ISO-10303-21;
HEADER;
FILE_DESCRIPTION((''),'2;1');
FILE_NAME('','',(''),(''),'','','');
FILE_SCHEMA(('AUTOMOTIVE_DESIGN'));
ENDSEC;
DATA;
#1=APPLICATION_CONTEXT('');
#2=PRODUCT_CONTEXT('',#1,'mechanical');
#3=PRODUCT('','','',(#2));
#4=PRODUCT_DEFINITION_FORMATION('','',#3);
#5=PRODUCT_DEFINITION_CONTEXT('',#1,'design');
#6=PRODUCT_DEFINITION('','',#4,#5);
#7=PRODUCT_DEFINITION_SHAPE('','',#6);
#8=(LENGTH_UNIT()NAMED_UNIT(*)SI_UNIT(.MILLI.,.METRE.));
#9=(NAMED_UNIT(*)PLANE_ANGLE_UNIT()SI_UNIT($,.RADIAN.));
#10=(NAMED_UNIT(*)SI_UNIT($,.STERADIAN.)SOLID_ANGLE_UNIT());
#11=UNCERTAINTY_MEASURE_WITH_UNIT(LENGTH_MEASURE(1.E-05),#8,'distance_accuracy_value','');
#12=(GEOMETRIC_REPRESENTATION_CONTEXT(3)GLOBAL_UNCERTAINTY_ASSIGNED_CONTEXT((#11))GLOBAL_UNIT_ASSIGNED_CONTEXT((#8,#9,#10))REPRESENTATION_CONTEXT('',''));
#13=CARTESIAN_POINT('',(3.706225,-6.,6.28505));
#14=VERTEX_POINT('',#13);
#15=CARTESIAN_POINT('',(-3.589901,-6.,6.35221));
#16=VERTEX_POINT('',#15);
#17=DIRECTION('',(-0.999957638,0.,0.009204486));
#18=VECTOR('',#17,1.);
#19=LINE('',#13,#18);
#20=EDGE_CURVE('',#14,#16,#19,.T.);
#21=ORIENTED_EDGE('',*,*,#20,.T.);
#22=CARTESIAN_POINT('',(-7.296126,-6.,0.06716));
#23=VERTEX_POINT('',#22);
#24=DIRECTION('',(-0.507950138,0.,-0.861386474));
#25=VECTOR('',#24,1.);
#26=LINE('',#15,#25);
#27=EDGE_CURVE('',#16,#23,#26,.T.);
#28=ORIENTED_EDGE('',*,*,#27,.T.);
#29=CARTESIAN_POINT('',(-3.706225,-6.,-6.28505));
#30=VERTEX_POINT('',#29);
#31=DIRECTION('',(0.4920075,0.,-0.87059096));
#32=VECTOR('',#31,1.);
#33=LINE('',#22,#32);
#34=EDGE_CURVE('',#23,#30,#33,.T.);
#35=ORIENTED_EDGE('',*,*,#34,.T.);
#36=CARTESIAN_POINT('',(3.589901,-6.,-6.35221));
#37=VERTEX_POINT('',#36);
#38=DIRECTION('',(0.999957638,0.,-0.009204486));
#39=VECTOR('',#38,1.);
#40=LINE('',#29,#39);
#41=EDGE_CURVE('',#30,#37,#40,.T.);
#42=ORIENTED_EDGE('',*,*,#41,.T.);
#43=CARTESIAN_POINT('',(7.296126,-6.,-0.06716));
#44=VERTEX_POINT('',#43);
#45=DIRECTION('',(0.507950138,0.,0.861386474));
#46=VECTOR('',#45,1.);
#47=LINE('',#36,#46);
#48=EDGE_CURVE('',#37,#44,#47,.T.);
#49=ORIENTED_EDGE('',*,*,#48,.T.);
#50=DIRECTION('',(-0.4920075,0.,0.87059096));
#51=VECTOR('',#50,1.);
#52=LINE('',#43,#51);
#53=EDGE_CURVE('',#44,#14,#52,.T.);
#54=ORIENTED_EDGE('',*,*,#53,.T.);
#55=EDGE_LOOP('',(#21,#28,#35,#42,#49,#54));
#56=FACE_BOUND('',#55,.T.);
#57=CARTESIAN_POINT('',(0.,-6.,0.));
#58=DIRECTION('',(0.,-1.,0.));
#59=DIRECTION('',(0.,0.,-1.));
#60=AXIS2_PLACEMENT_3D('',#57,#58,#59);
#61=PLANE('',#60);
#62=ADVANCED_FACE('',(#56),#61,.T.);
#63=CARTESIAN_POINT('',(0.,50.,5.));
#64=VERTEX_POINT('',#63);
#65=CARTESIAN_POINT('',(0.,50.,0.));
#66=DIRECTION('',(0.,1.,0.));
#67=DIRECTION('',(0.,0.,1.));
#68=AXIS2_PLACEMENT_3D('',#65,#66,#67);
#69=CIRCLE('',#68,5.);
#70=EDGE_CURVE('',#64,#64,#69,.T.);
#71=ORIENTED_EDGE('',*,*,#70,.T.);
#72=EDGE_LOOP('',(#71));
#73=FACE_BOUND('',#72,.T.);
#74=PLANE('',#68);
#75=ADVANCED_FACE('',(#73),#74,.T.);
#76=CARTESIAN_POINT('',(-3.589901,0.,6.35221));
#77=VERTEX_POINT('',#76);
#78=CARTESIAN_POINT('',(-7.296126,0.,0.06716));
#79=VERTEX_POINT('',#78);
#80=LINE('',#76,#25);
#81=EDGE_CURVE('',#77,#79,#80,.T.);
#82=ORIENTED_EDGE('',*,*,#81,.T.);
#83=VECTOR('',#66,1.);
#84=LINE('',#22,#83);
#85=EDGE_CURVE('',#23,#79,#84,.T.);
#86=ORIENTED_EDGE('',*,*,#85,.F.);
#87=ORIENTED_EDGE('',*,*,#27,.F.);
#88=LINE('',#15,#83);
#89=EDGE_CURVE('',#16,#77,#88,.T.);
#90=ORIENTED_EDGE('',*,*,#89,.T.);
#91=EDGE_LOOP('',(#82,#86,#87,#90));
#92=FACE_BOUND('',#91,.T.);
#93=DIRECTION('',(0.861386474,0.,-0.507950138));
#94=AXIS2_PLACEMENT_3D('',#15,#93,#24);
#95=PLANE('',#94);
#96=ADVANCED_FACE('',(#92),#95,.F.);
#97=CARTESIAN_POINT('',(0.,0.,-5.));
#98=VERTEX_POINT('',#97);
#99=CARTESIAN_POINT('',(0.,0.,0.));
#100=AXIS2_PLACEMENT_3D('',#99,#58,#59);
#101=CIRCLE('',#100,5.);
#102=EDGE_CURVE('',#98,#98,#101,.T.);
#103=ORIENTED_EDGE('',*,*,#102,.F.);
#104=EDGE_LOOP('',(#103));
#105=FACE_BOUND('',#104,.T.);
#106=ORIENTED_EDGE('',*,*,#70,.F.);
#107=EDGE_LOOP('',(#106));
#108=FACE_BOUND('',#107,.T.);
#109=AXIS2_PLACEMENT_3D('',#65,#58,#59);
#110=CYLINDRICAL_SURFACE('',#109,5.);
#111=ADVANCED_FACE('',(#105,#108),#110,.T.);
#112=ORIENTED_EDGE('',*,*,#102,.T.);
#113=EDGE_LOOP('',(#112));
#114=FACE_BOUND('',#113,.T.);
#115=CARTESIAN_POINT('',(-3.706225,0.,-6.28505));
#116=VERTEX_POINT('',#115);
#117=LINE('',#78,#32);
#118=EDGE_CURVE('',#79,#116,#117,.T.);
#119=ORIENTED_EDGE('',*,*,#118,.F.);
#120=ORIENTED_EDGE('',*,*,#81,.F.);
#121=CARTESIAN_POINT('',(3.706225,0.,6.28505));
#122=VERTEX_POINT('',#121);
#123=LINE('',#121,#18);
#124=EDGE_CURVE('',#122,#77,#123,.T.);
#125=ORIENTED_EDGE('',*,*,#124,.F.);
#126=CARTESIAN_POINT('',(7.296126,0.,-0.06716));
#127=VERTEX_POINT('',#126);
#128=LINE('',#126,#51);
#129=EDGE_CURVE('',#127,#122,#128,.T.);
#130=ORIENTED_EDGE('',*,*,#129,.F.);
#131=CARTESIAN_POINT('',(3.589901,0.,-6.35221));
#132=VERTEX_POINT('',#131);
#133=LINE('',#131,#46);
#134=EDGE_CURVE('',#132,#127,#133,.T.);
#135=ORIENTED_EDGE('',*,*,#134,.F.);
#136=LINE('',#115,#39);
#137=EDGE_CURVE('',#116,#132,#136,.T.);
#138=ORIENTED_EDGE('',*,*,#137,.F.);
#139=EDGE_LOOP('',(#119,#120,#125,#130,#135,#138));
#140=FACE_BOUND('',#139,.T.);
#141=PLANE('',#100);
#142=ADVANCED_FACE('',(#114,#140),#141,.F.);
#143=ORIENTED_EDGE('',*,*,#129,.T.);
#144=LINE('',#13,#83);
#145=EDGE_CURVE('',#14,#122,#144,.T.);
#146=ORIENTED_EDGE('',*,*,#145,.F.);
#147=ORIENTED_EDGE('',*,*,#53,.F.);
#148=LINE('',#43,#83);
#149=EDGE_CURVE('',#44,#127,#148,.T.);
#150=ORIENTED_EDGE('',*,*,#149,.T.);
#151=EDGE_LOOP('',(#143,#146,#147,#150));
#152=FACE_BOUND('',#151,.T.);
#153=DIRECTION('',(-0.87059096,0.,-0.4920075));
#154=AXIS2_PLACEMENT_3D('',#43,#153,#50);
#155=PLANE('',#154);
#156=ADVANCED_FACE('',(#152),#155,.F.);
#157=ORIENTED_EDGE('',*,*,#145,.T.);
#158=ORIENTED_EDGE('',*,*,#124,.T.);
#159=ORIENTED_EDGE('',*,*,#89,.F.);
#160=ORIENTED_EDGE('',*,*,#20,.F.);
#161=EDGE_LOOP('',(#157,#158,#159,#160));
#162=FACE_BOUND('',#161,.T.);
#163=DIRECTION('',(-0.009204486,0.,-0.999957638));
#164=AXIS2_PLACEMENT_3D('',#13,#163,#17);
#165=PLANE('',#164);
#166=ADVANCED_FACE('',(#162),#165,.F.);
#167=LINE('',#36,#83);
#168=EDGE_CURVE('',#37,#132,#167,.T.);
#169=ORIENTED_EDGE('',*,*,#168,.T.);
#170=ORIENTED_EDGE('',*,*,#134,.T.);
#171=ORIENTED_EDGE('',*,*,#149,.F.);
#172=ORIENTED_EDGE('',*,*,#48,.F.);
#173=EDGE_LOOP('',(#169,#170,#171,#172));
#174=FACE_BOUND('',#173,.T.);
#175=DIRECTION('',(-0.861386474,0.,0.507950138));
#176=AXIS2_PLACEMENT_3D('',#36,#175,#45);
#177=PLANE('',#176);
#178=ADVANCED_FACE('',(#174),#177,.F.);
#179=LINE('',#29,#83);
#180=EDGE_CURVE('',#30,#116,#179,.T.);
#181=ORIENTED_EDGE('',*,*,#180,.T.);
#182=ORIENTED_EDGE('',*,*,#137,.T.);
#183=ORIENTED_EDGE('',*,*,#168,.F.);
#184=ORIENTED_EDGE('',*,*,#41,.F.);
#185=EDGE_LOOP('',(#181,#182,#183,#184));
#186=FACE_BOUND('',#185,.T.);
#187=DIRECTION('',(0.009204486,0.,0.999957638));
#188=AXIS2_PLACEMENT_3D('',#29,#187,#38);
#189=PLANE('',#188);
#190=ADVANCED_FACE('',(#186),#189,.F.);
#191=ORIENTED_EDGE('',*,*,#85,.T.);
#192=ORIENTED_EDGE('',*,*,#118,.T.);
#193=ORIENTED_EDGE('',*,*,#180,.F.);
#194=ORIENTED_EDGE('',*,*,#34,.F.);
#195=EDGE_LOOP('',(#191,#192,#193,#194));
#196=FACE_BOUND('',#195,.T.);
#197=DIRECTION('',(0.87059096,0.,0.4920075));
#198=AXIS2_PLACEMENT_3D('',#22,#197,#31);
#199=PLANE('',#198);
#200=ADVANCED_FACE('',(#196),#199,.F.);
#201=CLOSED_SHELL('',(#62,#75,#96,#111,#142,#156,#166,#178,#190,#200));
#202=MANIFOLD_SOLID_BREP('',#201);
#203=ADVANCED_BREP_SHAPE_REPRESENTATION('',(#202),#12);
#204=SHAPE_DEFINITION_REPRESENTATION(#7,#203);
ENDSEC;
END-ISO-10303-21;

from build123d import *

# Parameters (mm, degrees)
SKETCH_1_R      = 5
EXTRUDE_1_DEPTH = 50
EXTRUDE_2_DEPTH = 6


with BuildPart() as part:
    # Эскиз1 → Бобышка-Вытянуть1 (new body)
    with BuildSketch(Plane(origin=(0, 0, 0), x_dir=(1, 0, 0), z_dir=(0, 1, 0))):
        with Locations(Location((0, 0, 0), (0, 0, 270))):
            Circle(SKETCH_1_R)
    extrude(amount=EXTRUDE_1_DEPTH)

    # Эскиз2 → Бобышка-Вытянуть2 (add)
    with BuildSketch(Plane.XZ):
        Polygon((3.706225124, 6.285050348), (-3.589900704, 6.352210283), (-7.296125827, 0.067159935), (-3.706225124, -6.285050348), (3.589900704, -6.352210283), (7.296125827, -0.067159935), align=None)
    extrude(amount=EXTRUDE_2_DEPTH)


solid = part.part
